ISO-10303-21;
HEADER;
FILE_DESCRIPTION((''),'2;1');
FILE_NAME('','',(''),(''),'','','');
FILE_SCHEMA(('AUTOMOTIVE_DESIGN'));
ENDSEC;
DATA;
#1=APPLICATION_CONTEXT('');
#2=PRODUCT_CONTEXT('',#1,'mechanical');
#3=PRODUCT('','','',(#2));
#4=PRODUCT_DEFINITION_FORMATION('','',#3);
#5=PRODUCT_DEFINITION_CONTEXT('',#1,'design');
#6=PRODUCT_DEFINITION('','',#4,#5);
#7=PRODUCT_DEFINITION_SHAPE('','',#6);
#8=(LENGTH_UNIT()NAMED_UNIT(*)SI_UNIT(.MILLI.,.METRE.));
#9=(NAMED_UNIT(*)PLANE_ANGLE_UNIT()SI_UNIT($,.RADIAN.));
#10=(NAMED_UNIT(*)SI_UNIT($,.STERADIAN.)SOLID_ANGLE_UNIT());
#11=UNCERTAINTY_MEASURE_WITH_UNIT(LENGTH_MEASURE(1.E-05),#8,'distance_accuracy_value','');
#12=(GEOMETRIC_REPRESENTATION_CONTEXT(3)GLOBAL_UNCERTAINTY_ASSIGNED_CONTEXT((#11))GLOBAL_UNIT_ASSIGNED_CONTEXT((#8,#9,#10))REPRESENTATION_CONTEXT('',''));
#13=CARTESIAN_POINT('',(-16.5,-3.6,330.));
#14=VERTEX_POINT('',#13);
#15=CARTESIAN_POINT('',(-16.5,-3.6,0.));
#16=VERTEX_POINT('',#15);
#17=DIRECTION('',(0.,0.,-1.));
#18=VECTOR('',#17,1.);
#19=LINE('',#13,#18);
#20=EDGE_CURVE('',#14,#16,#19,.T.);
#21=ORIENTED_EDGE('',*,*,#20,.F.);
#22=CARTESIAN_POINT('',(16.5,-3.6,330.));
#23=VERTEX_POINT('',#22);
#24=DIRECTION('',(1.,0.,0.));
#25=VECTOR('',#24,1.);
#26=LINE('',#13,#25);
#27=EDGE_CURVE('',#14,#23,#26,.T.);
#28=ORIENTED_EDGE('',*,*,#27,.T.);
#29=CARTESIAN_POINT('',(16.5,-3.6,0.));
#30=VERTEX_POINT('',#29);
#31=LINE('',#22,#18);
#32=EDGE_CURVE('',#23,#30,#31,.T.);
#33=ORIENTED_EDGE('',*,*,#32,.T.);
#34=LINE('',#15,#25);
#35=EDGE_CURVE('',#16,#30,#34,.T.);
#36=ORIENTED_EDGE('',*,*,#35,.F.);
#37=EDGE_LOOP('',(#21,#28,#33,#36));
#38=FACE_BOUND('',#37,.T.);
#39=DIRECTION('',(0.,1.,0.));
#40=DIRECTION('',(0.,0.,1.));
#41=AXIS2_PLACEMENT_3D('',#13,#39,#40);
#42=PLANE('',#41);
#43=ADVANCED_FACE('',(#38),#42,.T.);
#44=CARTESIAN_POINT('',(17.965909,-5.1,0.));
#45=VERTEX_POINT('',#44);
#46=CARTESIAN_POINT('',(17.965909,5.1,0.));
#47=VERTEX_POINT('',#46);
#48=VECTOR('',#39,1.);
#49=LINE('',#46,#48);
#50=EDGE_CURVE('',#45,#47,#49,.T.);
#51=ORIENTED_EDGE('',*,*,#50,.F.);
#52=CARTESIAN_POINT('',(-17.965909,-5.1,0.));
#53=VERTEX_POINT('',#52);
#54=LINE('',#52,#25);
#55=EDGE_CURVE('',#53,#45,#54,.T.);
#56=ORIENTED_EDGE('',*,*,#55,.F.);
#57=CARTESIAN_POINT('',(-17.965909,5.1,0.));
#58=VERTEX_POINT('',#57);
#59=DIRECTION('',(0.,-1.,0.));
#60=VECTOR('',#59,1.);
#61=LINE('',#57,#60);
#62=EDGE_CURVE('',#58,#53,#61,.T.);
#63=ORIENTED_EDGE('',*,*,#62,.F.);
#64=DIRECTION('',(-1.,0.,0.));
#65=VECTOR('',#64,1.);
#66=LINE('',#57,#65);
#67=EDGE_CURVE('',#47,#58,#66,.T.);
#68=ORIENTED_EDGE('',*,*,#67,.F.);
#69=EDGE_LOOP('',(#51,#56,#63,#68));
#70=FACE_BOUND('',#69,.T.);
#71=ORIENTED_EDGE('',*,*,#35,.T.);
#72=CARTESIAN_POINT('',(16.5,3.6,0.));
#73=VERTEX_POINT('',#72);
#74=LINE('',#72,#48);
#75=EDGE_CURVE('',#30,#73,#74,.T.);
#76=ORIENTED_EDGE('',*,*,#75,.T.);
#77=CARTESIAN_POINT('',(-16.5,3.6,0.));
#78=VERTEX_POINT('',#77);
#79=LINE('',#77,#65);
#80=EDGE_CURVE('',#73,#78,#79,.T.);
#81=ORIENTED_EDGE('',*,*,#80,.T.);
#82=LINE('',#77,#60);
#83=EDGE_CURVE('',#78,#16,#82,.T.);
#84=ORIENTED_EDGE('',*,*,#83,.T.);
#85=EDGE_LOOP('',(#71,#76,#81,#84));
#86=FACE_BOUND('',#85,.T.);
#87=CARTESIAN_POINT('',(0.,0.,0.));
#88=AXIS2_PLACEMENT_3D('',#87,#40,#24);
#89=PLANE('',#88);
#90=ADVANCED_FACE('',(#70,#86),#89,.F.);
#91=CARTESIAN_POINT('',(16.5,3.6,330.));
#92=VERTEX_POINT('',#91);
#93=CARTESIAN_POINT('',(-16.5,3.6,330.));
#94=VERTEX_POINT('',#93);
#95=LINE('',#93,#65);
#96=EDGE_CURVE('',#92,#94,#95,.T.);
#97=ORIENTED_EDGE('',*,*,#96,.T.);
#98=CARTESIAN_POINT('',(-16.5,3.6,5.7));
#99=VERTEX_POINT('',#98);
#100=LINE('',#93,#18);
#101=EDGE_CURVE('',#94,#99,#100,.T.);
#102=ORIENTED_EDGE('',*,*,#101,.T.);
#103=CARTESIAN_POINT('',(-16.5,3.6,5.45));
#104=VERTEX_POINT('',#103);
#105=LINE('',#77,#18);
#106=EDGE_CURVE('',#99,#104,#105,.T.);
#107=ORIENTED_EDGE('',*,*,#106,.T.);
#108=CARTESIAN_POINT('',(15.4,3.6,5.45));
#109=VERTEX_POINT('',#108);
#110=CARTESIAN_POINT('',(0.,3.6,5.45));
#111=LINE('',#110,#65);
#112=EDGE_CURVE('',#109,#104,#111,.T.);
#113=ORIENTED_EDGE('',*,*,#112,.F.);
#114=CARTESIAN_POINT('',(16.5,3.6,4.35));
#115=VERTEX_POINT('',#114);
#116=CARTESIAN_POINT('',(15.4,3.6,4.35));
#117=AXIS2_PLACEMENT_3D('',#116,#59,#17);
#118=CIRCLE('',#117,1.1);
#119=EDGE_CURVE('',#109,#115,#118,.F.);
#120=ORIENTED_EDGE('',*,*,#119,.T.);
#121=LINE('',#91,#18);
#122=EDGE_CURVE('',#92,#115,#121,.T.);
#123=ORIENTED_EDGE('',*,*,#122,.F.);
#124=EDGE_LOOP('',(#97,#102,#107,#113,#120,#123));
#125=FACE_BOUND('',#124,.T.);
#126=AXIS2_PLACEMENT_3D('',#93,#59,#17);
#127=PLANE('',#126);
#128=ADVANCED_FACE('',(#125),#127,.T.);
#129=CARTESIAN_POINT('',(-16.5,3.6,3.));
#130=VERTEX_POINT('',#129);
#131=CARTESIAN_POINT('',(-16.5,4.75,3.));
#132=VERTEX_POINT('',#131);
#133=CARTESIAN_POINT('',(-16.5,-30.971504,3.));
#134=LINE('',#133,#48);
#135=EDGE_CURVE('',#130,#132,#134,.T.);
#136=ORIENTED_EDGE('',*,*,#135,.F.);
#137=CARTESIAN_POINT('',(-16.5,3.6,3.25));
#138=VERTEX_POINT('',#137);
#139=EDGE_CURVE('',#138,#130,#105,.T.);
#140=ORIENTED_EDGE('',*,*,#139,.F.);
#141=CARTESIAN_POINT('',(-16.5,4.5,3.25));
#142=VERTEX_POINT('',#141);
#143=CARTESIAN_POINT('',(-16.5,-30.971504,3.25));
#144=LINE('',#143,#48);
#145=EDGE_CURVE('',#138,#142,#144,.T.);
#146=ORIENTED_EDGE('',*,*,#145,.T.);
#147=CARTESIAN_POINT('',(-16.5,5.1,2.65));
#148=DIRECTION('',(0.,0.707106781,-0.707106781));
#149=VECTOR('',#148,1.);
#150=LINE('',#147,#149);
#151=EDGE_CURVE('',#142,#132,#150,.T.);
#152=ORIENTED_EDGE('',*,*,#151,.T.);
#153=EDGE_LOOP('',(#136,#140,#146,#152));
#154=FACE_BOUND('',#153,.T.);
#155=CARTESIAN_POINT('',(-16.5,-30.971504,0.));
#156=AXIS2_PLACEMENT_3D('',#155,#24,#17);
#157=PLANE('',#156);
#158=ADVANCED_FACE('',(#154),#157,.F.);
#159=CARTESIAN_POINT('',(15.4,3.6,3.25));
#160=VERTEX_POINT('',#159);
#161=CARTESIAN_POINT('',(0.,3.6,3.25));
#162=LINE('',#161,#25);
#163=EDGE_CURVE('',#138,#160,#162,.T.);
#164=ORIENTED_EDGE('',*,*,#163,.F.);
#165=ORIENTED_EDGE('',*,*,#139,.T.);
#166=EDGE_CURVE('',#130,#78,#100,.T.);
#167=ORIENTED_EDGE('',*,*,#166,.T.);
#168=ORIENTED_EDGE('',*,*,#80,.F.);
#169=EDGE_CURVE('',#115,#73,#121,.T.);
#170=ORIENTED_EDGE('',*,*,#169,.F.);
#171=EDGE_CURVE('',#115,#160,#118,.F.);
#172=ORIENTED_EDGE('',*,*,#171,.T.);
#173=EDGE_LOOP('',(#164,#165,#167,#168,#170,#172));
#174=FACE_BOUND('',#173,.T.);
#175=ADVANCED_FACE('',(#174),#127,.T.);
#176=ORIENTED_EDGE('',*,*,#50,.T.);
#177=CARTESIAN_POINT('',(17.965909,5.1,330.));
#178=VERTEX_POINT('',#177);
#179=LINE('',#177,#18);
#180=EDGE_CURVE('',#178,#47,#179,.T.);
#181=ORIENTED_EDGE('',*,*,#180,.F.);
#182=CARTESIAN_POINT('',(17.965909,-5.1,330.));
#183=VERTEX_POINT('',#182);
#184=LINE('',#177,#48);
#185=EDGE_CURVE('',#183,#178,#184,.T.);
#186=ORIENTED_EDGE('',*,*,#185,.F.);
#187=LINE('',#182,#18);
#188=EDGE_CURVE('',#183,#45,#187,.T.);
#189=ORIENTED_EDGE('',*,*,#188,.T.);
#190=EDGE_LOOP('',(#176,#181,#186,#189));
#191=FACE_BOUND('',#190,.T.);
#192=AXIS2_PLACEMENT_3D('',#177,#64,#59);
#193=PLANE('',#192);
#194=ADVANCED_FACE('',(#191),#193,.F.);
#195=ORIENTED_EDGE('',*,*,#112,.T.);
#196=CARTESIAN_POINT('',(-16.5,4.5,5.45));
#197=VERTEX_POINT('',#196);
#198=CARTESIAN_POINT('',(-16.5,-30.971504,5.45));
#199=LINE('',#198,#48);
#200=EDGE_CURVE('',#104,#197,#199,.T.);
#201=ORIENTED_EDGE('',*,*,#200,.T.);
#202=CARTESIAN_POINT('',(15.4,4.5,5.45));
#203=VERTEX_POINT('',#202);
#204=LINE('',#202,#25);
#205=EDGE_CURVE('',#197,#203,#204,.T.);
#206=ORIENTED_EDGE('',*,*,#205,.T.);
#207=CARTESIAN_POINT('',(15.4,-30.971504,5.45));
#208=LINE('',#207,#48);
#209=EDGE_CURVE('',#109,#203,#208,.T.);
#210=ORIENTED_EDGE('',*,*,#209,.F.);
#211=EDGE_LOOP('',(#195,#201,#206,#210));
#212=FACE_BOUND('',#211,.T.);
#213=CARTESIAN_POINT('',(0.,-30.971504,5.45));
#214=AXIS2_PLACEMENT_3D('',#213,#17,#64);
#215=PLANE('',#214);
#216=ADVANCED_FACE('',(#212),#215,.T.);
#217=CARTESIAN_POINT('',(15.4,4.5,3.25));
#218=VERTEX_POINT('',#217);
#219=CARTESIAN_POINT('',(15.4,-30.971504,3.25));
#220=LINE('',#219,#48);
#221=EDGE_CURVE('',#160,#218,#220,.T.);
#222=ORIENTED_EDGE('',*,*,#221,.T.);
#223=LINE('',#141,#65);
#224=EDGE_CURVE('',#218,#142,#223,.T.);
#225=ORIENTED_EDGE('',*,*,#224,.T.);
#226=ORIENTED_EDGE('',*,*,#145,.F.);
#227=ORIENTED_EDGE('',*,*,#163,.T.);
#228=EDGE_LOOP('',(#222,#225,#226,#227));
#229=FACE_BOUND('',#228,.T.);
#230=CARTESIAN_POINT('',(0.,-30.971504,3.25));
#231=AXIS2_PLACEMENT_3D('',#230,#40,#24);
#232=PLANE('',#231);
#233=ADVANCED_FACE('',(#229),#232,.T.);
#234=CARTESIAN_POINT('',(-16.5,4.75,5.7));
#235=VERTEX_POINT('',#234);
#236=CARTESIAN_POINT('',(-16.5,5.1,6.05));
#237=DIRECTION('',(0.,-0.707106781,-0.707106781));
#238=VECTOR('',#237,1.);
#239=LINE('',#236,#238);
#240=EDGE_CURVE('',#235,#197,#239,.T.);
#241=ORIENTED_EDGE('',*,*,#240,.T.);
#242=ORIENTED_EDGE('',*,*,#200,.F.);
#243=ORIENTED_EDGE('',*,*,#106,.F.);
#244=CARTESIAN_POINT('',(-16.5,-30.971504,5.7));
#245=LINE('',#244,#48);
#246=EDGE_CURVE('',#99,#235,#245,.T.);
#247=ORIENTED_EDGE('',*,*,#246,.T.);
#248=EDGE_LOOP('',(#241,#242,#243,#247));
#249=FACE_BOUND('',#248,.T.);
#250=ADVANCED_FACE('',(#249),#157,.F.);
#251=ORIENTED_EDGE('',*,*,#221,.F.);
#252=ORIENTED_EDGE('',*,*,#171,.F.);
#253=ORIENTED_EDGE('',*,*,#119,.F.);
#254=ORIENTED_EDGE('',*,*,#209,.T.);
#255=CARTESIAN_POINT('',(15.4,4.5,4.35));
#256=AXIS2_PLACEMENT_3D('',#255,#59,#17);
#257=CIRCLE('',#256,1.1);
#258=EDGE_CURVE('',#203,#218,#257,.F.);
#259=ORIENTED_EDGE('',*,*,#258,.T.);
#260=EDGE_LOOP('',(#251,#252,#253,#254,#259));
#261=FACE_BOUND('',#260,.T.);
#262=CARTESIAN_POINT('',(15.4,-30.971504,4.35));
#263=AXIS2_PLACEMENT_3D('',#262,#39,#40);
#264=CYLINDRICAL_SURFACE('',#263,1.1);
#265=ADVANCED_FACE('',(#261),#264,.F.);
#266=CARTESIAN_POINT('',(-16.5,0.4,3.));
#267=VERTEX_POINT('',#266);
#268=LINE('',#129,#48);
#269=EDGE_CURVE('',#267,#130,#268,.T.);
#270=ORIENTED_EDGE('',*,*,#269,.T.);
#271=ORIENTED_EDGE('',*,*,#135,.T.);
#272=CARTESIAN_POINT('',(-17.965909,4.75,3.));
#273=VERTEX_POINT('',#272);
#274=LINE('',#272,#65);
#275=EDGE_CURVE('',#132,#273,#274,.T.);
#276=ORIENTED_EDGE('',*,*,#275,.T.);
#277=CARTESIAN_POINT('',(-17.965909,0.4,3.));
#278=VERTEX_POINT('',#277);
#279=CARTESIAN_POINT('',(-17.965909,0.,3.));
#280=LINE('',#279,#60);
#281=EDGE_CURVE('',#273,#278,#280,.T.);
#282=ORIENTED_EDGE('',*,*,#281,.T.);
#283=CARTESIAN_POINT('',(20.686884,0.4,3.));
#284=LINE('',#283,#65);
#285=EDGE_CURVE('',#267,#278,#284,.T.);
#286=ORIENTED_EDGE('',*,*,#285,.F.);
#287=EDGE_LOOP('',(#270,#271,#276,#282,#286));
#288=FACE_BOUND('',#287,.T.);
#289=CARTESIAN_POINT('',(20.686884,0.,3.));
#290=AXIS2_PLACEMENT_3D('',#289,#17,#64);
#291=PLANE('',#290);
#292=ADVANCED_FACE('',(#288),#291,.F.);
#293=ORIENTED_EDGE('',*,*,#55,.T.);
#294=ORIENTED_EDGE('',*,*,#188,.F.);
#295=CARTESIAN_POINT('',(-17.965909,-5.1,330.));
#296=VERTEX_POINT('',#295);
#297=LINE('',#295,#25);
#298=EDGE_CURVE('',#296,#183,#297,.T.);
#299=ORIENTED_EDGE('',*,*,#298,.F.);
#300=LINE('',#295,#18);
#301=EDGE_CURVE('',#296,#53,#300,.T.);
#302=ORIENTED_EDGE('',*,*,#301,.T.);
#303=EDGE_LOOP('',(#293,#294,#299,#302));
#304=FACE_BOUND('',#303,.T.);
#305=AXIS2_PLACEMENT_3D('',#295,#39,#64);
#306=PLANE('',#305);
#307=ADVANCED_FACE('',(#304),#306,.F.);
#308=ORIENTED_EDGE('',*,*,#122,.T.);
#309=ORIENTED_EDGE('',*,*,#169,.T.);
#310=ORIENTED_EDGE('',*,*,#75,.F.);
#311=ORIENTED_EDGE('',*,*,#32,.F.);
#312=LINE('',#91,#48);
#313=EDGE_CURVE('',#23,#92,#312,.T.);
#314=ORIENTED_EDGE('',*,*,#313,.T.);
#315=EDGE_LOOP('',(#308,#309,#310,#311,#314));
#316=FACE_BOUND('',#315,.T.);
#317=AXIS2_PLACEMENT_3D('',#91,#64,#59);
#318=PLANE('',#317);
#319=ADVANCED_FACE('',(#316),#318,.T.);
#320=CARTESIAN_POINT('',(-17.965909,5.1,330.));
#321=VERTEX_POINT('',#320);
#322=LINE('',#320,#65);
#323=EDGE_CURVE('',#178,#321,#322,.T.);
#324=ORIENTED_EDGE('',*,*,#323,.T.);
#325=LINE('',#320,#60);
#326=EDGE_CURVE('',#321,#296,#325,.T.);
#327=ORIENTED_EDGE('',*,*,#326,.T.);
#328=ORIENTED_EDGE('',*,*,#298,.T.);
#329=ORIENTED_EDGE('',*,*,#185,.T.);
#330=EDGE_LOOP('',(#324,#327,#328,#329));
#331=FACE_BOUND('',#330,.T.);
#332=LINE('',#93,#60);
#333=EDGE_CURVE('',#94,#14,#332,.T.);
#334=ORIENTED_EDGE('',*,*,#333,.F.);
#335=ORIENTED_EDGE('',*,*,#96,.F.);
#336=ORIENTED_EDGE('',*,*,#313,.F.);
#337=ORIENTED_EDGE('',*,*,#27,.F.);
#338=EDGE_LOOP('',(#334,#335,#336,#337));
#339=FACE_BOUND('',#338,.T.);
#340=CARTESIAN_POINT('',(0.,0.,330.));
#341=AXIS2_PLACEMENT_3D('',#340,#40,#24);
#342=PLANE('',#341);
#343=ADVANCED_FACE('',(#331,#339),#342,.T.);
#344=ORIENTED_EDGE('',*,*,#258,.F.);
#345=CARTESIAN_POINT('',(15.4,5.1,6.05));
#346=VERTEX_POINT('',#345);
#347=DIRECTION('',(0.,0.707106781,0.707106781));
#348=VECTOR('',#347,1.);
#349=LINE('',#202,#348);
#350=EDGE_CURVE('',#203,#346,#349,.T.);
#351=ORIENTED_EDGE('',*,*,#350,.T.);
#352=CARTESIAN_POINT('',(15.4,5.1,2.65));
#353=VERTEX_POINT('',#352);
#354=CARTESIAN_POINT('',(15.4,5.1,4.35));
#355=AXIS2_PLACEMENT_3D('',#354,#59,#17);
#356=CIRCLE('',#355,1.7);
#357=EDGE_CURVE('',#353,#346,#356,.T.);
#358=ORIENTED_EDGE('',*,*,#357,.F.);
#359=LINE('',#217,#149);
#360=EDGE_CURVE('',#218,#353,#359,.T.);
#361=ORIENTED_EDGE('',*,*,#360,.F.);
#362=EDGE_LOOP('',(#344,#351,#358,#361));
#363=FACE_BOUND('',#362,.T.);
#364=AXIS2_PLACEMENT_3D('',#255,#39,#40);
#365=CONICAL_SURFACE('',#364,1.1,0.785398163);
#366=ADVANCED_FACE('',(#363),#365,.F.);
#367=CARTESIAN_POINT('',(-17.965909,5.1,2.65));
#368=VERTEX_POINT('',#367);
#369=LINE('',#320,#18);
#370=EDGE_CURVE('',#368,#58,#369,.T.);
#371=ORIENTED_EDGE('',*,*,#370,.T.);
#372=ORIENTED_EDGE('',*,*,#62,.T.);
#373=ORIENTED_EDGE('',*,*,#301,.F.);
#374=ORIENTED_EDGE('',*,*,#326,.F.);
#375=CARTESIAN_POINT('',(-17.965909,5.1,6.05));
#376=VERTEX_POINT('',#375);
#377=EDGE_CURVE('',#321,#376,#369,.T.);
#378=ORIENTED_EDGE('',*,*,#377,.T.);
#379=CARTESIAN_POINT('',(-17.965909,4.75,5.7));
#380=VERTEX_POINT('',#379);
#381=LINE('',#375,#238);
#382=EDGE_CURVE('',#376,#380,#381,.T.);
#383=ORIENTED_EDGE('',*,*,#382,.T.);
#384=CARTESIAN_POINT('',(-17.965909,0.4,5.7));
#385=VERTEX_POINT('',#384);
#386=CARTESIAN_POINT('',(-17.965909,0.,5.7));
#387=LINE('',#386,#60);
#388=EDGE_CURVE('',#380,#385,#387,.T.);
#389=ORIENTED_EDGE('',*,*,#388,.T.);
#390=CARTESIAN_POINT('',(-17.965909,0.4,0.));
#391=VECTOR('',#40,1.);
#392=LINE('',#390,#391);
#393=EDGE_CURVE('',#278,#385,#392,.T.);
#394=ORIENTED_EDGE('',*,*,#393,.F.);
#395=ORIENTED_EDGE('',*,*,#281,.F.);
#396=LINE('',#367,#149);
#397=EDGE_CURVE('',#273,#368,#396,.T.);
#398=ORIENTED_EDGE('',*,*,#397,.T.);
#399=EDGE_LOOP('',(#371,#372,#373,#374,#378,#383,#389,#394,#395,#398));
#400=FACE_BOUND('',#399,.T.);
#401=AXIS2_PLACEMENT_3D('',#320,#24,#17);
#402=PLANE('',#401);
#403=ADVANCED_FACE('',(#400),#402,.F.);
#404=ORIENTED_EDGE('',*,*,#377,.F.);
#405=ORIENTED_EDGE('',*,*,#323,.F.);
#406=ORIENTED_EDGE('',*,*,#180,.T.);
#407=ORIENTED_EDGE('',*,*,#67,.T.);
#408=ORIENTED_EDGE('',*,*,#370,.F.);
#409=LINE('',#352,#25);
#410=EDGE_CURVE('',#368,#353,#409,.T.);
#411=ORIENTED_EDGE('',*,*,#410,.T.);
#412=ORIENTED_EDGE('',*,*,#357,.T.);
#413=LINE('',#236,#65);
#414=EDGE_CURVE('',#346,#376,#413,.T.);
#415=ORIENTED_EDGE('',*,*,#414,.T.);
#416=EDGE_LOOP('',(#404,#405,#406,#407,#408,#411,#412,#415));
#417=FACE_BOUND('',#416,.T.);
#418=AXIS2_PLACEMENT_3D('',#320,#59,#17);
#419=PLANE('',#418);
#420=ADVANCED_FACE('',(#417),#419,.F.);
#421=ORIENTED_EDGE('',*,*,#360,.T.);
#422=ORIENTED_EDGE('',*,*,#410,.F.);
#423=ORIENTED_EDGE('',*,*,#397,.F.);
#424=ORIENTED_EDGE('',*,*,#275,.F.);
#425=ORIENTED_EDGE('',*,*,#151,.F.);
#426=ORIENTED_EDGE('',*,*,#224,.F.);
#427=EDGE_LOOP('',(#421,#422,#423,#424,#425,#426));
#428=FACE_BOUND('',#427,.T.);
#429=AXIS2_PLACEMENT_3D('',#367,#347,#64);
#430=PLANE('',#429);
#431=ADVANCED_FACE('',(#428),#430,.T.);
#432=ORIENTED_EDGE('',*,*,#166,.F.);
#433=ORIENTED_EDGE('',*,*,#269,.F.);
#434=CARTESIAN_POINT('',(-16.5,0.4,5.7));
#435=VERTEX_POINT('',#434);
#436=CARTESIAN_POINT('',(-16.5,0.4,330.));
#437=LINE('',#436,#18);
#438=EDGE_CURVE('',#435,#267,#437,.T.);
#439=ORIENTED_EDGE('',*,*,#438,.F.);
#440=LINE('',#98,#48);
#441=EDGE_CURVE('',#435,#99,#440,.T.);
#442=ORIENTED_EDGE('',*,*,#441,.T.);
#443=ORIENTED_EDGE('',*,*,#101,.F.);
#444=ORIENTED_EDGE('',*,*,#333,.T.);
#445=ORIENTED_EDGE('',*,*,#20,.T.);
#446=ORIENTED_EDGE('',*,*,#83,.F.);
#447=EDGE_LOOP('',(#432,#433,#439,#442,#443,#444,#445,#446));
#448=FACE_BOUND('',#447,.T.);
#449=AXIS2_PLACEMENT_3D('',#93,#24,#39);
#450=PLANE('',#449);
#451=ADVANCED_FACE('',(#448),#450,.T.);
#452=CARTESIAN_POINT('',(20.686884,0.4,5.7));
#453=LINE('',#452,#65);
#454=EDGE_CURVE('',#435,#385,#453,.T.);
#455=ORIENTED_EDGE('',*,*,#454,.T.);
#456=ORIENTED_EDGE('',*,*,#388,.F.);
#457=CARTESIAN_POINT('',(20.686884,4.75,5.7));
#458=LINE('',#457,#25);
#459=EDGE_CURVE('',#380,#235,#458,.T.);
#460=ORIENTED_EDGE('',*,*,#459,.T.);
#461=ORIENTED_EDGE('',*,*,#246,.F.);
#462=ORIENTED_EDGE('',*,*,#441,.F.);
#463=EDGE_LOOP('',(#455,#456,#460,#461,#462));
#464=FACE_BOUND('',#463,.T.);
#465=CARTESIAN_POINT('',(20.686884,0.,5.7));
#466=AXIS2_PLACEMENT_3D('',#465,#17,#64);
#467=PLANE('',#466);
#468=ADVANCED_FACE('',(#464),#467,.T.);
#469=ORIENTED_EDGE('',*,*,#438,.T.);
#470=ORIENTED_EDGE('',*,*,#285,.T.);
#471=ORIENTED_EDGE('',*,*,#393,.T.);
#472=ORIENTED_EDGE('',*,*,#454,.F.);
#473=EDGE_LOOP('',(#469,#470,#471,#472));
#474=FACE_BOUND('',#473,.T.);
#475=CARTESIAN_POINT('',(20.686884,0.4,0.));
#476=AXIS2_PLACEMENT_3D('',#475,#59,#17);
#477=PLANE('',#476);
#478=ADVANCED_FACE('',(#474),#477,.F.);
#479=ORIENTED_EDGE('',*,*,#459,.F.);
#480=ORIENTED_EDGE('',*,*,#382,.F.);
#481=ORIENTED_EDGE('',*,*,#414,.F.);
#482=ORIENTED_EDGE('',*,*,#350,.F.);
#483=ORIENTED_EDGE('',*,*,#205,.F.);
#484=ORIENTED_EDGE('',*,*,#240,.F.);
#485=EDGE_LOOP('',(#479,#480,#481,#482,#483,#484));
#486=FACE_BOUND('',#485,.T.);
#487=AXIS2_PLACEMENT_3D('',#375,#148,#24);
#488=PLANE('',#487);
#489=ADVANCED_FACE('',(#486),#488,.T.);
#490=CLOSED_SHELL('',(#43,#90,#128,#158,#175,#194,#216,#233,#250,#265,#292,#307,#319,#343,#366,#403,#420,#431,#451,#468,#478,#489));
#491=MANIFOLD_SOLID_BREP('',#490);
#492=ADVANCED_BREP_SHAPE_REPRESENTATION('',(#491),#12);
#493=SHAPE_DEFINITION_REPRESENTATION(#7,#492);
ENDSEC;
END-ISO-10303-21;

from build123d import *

# Parameters (mm, degrees)
SCHIZZO1_W                   = 35.931818182
SCHIZZO1_H                   = 10.2
SCHIZZO1_W_2                 = 33
SCHIZZO1_H_2                 = 7.2
ESTRUSIONE_ESTRUSIONE1_DEPTH = 330
SCHIZZO3_W                   = 2.7
SCHIZZO3_H                   = 3.2
TAGLIO_ESTRUSIONE1_DEPTH     = 34.465909091
TAGLIO_ESTRUSIONE2_DEPTH     = 1.5
SMUSSO2_SIZE                 = 0.6


with BuildPart() as part:
    # Schizzo1 → Estrusione-Estrusione1 (new body)
    with BuildSketch(Plane.XY):
        Rectangle(SCHIZZO1_W, SCHIZZO1_H)
        Rectangle(SCHIZZO1_W_2, SCHIZZO1_H_2, mode=Mode.SUBTRACT)
    extrude(amount=ESTRUSIONE_ESTRUSIONE1_DEPTH)

    # Schizzo3 → Taglio-Estrusione1 (cut)
    with BuildSketch(Plane.ZY.offset(17.965909091)):
        with Locations((4.35, 2)):
            Rectangle(SCHIZZO3_W, SCHIZZO3_H)
    extrude(amount=-TAGLIO_ESTRUSIONE1_DEPTH, mode=Mode.SUBTRACT)

    # Schizzo4 → Taglio-Estrusione2 (cut)
    with BuildSketch(Plane(origin=(0, 5.1, 0), x_dir=(1, 0, 0), z_dir=(0, 1, 0))):
        with BuildLine():
            Line((-16.5, -5.45), (15.4, -5.45))
            ThreePointArc((15.4, -5.45), (16.5, -4.35), (15.4, -3.25))
            Line((15.4, -3.25), (-16.5, -3.25))
            Line((-16.5, -3.25), (-16.5, -3))
            Line((-16.5, -3), (-17.965909091, -3))
            Line((-17.965909091, -3), (-17.965909091, -5.7))
            Line((-17.965909091, -5.7), (-16.5, -5.7))
            Line((-16.5, -5.7), (-16.5, -5.45))
        make_face()
    extrude(amount=-TAGLIO_ESTRUSIONE2_DEPTH, mode=Mode.SUBTRACT)

    # Smusso2
    smusso2_edges = [part.edges().sort_by_distance(p)[0] for p in [
        (-0.55, 5.1, 3.25),
        (16.5, 5.1, 4.35),
        (-0.55, 5.1, 5.45),
    ]]
    chamfer(smusso2_edges, length=SMUSSO2_SIZE)


solid = part.part
